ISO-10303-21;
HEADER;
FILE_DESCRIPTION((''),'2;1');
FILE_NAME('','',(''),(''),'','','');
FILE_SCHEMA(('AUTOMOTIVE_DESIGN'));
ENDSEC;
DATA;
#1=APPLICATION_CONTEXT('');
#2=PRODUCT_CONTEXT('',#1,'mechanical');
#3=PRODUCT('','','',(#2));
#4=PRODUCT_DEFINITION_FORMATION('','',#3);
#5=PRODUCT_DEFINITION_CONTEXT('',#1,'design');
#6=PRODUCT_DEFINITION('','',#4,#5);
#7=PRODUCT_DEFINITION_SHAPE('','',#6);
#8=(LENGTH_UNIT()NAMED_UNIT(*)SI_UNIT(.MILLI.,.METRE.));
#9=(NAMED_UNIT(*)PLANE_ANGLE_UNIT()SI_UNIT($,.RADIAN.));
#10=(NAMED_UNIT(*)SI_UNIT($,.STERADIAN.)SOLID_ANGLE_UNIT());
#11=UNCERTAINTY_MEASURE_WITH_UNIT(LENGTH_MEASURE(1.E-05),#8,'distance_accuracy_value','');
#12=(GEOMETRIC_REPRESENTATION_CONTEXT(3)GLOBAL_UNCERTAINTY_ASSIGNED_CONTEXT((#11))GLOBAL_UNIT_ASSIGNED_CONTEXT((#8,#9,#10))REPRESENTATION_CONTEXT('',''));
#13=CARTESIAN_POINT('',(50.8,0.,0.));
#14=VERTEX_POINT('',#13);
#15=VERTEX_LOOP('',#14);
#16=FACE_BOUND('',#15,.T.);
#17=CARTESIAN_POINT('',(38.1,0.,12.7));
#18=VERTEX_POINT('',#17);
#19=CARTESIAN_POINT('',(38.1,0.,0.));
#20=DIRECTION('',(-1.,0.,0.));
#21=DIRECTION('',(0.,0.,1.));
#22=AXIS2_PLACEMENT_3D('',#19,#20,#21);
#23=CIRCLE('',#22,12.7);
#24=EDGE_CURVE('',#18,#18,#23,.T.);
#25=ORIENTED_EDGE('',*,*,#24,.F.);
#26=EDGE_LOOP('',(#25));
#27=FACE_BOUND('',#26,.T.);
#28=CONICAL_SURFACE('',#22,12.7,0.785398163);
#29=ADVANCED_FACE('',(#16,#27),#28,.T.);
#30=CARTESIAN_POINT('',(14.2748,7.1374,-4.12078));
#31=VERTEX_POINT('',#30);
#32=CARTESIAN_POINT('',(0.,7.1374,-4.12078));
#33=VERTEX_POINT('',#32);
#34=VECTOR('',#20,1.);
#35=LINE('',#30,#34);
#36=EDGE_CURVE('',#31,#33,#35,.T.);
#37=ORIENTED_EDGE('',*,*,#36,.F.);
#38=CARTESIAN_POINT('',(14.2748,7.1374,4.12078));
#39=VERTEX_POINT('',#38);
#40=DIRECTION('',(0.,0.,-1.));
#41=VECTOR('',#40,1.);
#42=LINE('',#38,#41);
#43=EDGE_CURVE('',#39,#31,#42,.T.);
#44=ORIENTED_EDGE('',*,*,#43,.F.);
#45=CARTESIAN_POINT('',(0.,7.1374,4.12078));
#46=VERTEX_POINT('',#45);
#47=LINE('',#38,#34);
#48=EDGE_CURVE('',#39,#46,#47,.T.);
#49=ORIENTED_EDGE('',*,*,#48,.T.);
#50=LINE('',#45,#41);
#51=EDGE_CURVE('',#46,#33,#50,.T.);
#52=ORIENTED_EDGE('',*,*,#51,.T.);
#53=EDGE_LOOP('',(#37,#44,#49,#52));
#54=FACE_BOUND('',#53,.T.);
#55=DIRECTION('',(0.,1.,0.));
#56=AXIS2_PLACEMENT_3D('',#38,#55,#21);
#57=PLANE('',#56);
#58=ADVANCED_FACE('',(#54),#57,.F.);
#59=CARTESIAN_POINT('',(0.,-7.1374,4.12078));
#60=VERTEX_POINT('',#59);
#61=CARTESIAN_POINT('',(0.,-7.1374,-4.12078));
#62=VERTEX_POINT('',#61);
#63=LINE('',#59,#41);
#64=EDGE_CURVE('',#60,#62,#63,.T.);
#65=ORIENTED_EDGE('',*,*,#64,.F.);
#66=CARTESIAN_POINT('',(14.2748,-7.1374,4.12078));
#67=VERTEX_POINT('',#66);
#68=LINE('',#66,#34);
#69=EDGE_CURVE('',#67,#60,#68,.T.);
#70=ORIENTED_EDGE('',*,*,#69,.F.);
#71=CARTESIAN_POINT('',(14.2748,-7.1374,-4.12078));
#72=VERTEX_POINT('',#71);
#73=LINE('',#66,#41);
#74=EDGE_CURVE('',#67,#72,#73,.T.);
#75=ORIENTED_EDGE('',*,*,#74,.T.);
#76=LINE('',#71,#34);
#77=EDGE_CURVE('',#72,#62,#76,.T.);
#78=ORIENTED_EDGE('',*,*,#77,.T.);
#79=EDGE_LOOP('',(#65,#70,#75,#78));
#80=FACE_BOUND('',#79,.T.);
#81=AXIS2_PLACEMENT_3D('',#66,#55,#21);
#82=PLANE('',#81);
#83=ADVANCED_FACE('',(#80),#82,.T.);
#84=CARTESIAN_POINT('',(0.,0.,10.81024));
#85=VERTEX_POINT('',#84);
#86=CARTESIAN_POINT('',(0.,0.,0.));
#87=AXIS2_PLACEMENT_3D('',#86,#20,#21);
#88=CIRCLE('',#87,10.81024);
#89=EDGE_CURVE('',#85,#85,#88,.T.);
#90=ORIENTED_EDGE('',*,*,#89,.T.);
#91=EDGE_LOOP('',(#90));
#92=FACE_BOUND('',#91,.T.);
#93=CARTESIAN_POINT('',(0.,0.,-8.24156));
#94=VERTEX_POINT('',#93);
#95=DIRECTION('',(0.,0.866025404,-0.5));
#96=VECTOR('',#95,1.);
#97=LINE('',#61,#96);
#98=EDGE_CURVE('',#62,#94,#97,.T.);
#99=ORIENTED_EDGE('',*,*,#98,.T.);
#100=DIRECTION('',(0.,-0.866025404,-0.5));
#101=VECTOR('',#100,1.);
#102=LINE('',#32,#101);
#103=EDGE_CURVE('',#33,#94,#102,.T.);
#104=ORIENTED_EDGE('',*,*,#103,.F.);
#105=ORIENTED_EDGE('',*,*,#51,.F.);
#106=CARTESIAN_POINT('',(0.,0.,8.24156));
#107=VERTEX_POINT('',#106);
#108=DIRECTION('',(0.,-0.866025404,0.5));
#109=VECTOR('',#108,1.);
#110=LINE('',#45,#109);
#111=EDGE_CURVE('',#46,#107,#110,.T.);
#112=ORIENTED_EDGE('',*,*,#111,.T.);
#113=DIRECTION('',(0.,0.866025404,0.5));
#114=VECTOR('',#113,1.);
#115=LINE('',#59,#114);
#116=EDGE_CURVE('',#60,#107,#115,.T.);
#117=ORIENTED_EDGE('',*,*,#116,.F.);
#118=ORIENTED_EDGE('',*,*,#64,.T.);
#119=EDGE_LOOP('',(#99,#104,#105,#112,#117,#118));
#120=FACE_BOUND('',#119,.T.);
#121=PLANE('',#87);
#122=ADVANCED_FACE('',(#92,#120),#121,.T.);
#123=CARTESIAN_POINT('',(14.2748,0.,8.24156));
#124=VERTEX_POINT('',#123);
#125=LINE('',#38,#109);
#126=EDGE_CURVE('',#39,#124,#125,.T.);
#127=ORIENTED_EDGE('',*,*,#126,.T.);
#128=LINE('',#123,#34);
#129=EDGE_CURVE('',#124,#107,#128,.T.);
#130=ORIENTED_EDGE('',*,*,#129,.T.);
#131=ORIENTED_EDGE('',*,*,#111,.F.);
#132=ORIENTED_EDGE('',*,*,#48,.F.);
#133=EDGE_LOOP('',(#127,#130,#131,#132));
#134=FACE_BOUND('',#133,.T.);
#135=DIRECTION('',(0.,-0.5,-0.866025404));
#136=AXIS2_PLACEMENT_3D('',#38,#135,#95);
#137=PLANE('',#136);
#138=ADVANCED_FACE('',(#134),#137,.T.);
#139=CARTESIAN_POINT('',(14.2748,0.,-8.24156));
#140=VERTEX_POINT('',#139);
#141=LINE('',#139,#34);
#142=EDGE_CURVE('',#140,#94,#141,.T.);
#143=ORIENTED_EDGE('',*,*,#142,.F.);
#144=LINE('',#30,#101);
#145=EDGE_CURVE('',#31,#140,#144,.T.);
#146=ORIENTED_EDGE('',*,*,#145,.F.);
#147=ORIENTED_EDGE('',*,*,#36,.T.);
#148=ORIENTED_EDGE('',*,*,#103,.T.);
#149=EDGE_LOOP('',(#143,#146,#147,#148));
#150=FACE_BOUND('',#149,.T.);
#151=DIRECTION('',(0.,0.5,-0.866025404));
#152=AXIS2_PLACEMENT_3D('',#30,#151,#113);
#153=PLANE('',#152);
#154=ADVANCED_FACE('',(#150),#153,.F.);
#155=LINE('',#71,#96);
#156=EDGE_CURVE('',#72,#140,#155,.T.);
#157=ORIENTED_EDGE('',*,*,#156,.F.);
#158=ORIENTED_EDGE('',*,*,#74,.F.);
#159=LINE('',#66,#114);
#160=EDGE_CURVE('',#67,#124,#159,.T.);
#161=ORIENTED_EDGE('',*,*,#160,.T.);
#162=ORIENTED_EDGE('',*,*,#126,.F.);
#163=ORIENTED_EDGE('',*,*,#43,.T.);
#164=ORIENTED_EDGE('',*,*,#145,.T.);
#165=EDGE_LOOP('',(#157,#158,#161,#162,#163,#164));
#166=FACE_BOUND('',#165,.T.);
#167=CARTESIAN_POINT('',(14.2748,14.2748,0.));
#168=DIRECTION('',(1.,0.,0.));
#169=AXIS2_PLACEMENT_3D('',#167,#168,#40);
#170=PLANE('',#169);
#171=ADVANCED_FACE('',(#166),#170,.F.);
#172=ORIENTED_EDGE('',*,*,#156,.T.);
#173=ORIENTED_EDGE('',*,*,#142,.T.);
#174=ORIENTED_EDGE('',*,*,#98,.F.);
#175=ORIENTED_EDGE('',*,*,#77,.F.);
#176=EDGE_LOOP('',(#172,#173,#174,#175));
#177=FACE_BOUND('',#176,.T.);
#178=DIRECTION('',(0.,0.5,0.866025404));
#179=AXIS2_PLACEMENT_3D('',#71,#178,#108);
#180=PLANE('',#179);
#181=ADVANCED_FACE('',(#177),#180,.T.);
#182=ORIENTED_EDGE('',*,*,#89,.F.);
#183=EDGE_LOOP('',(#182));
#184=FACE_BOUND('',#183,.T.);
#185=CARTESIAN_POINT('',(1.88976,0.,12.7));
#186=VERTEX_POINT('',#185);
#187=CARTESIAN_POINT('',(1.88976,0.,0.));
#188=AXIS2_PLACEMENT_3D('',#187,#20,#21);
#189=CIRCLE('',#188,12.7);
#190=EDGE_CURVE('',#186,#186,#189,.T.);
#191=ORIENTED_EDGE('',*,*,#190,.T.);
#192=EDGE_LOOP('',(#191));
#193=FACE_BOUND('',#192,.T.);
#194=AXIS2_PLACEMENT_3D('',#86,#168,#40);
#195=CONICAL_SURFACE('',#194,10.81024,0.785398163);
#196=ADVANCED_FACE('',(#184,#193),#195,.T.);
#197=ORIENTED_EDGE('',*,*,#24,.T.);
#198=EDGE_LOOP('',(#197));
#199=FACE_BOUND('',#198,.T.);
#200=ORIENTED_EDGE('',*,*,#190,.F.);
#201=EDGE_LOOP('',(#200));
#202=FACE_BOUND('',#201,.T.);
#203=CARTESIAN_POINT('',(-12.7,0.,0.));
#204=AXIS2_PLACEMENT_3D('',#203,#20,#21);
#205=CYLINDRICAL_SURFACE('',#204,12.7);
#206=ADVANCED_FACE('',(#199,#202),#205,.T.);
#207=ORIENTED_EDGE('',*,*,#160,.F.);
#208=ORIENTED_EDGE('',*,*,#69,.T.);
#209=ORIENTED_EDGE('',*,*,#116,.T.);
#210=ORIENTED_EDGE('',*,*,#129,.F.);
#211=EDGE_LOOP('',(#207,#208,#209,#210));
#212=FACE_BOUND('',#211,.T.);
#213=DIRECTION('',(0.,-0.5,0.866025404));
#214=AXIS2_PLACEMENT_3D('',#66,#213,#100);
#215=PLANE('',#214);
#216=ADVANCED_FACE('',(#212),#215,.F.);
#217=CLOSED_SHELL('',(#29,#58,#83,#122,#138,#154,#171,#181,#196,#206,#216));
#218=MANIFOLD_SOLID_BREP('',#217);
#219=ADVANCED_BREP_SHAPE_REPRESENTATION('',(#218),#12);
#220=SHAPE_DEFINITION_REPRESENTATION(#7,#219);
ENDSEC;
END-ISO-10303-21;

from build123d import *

# Parameters (mm, degrees)
HEX_2_DEPTH = 14.2748


with BuildPart() as part:
    # BodySke → BaseBody (revolve)
    with BuildSketch(Plane.XY, mode=Mode.PRIVATE) as basebody_sk:
        Polygon((0, 0), (0, 10.81024), (1.88976, 12.7), (38.1, 12.7), (50.8, 0), align=None)
    revolve(basebody_sk.sketch.rotate(Axis((-12.7, 0, 0), (1, 0, 0)), 90), axis=Axis((-12.7, 0, 0), (1, 0, 0)))

    # Sketch2 → Hex 2 (cut)
    with BuildSketch(Plane.ZY):
        Polygon((4.120779811, 7.1374), (-4.120779811, 7.1374), (-8.241559623, 0), (-4.120779811, -7.1374), (4.120779811, -7.1374), (8.241559623, 0), align=None)
    extrude(amount=-HEX_2_DEPTH, mode=Mode.SUBTRACT)


solid = part.part
